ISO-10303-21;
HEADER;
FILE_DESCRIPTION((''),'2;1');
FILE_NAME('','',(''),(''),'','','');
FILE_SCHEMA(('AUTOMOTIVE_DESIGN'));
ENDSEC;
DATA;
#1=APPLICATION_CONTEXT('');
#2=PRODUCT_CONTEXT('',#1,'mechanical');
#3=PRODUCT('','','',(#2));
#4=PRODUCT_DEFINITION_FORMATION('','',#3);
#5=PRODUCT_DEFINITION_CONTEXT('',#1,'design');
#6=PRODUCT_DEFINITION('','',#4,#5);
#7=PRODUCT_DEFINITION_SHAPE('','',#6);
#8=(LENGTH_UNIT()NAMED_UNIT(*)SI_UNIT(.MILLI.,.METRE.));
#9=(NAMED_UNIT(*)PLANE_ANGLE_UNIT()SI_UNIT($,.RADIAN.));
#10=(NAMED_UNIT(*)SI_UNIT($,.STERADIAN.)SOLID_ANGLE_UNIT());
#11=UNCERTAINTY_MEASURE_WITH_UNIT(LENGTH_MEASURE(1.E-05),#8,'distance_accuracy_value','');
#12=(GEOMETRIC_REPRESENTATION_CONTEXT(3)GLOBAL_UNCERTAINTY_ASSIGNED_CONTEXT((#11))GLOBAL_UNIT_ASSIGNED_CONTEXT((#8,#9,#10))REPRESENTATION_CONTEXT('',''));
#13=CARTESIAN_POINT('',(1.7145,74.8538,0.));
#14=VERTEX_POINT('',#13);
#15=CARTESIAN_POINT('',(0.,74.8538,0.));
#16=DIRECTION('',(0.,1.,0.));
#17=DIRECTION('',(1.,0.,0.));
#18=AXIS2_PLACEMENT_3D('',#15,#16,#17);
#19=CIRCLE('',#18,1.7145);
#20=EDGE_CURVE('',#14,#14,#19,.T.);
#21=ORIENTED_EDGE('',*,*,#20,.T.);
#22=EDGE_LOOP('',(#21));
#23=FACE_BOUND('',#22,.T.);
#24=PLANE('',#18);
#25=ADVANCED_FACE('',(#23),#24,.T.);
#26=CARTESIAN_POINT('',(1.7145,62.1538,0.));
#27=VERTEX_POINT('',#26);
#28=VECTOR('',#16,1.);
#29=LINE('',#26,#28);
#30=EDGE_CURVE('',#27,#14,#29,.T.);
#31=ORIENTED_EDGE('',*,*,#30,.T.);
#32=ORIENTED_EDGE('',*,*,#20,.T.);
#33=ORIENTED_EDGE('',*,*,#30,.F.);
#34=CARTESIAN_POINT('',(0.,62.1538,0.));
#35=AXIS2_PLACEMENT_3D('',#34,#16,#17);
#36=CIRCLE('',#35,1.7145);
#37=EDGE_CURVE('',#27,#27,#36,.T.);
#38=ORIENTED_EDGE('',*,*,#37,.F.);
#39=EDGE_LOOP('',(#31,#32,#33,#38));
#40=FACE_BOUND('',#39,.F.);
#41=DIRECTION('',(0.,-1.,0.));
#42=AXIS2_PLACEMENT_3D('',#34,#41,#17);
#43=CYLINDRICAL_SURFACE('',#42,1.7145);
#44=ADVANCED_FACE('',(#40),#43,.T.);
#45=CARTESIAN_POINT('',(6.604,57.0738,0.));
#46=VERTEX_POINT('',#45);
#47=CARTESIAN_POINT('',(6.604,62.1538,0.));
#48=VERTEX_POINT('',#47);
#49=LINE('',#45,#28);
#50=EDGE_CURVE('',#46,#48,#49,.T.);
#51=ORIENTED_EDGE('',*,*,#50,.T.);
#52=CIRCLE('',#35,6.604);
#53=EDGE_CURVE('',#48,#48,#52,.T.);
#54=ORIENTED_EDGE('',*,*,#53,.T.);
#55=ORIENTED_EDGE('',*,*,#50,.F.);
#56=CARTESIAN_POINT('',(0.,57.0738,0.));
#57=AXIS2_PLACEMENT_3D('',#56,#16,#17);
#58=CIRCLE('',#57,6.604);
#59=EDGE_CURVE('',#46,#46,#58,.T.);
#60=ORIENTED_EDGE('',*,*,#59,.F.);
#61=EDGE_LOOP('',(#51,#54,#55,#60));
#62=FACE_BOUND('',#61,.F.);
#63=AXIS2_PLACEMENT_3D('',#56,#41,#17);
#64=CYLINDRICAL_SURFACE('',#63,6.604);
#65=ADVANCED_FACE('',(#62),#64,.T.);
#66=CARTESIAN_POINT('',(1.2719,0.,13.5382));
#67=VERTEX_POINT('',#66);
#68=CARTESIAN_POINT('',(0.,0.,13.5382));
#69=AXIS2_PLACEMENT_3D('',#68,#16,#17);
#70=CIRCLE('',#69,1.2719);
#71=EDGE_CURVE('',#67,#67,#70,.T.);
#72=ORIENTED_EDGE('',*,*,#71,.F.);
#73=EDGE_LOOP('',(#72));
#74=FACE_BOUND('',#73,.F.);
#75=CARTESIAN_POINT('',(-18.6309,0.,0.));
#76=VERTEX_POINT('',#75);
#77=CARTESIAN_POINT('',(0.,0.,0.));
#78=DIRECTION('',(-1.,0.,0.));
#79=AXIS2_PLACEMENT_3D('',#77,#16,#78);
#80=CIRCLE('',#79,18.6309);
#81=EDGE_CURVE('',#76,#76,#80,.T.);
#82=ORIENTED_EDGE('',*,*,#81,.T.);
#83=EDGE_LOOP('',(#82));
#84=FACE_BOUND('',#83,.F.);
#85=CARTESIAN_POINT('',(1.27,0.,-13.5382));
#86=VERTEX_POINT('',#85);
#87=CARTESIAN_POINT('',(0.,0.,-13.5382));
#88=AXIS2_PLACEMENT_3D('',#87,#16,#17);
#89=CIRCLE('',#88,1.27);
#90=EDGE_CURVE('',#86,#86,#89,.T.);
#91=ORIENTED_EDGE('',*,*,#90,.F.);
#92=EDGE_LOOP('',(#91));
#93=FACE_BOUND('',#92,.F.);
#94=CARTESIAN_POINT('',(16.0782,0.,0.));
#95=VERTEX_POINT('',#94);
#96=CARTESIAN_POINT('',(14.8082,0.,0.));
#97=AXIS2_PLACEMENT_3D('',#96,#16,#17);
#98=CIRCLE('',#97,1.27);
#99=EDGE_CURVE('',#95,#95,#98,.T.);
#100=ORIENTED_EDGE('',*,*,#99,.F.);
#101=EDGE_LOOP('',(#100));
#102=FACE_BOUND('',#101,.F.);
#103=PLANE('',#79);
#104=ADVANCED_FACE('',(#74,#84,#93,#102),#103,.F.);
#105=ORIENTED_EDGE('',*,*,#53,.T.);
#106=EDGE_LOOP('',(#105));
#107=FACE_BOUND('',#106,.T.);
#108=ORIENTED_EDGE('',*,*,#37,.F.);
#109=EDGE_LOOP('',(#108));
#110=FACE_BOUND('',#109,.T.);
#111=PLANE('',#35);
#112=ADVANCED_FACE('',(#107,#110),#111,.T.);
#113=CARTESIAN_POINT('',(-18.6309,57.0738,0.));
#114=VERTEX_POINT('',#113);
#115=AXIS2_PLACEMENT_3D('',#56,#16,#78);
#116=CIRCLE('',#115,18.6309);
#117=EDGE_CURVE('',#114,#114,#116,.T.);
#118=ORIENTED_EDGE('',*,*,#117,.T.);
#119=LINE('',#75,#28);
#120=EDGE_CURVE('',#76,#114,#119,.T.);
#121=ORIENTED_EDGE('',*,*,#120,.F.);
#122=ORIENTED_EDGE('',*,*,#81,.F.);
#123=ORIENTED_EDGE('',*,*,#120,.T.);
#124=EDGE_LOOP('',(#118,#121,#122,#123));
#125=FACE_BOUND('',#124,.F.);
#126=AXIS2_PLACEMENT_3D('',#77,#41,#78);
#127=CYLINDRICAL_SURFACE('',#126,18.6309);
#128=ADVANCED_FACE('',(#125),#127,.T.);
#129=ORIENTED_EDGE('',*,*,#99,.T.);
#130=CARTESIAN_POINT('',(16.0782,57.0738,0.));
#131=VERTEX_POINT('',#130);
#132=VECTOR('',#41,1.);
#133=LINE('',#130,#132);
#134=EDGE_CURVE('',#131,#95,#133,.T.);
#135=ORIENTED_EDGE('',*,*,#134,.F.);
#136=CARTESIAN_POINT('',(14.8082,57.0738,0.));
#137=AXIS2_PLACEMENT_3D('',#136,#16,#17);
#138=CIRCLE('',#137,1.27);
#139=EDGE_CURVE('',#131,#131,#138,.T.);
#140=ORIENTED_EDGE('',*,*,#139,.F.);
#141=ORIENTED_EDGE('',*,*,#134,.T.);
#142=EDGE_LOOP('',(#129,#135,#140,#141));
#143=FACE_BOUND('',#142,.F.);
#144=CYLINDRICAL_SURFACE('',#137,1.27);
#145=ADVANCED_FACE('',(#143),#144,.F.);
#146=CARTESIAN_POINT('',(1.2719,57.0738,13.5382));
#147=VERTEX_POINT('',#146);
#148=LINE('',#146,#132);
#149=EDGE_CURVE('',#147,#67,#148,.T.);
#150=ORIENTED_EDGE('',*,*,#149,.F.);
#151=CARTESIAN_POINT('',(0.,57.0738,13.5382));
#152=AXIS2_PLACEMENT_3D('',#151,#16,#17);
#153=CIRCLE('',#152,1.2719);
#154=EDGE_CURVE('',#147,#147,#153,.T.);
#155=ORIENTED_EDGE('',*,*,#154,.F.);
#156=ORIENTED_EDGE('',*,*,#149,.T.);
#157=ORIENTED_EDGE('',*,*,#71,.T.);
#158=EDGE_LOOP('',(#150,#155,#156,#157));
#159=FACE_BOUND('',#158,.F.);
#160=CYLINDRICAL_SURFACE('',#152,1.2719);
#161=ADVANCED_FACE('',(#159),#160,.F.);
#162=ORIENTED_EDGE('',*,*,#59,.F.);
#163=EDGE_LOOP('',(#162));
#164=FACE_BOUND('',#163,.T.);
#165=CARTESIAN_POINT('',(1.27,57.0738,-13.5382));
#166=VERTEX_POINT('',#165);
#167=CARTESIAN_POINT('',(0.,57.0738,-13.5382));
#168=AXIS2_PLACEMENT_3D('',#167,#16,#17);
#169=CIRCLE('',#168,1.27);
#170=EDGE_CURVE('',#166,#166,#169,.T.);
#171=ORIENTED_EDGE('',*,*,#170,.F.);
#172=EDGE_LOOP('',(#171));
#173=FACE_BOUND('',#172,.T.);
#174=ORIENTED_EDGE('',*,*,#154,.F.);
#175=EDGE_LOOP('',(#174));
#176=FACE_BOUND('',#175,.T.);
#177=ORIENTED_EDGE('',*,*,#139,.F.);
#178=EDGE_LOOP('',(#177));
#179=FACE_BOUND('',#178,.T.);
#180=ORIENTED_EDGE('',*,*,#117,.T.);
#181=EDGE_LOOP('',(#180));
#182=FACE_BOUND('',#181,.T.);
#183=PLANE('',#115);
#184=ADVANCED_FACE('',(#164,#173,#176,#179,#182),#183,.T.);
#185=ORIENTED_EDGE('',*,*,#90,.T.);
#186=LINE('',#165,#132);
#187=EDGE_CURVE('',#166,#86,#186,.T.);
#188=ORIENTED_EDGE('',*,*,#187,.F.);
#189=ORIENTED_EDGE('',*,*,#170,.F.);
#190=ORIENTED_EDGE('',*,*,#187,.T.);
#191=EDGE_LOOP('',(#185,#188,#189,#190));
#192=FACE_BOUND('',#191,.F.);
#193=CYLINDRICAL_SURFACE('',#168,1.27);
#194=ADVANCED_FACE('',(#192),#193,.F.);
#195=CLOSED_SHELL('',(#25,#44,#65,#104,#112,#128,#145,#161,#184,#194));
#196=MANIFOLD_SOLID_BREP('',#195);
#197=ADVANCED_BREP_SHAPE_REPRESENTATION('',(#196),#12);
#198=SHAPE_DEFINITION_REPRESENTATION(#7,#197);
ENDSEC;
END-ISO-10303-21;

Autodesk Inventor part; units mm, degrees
ref_plane "YZ Plane" through (0, 0, 0) normal (1, 0, 0) x (0, 1, 0)
ref_plane "XZ Plane" through (0, 0, 0) normal (0, 1, 0) x (-1, 0, 0)
ref_plane "XY Plane" through (0, 0, 0) normal (0, 0, 1) x (1, 0, 0)
sketch "Sketch1" plane through (0, 0, 0) normal (0, 1, 0) x (-1, 0, 0)
  circle A0 centre (0, 0) radius 18.6309
  dimension "d0" = 37.2618
extrude "Extrusion1" add sketch "Sketch1" along normal blind 57.0738
sketch "Sketch2" plane through (0, 57.0738, 0) normal (0, 1, 0) x (1, 0, 0)
  circle A0 centre (0, 0) radius 6.604
  dimension "d3" = 13.208
extrude "Extrusion2" add sketch "Sketch2" along normal blind 5.08
sketch "Sketch3" plane through (0, 57.0738, 0) normal (0, 1, 0) x (1, 0, 0)
  circle A0 centre (0, 13.5382) radius 1.27
  circle A1 centre (0, -13.5382) radius 1.2719
  circle A2 centre (14.8082, 0) radius 1.27
  point P0 (0, 0)
  dimension "d6" = 2.54
  dimension "d7" = 2.54
  dimension "d8" = 13.5382
  dimension "d9" = 13.5382
  dimension "d10" = 14.8082
extrude "Extrusion3" cut sketch "Sketch3" against normal blind 76.2
sketch "Sketch4" plane through (0, 62.1538, 0) normal (0, 1, 0) x (1, 0, 0)
  circle A0 centre (0, 0) radius 1.7145
  dimension "d13" = 3.429
extrude "Extrusion4" add sketch "Sketch4" along normal blind 12.7
sketch "Sketch5" plane through (0, 74.8538, 0) normal (0, 1, 0) x (1, 0, 0)
  point P0 (0, 0)
properties part number "motor MABCHI 3W Noah"
